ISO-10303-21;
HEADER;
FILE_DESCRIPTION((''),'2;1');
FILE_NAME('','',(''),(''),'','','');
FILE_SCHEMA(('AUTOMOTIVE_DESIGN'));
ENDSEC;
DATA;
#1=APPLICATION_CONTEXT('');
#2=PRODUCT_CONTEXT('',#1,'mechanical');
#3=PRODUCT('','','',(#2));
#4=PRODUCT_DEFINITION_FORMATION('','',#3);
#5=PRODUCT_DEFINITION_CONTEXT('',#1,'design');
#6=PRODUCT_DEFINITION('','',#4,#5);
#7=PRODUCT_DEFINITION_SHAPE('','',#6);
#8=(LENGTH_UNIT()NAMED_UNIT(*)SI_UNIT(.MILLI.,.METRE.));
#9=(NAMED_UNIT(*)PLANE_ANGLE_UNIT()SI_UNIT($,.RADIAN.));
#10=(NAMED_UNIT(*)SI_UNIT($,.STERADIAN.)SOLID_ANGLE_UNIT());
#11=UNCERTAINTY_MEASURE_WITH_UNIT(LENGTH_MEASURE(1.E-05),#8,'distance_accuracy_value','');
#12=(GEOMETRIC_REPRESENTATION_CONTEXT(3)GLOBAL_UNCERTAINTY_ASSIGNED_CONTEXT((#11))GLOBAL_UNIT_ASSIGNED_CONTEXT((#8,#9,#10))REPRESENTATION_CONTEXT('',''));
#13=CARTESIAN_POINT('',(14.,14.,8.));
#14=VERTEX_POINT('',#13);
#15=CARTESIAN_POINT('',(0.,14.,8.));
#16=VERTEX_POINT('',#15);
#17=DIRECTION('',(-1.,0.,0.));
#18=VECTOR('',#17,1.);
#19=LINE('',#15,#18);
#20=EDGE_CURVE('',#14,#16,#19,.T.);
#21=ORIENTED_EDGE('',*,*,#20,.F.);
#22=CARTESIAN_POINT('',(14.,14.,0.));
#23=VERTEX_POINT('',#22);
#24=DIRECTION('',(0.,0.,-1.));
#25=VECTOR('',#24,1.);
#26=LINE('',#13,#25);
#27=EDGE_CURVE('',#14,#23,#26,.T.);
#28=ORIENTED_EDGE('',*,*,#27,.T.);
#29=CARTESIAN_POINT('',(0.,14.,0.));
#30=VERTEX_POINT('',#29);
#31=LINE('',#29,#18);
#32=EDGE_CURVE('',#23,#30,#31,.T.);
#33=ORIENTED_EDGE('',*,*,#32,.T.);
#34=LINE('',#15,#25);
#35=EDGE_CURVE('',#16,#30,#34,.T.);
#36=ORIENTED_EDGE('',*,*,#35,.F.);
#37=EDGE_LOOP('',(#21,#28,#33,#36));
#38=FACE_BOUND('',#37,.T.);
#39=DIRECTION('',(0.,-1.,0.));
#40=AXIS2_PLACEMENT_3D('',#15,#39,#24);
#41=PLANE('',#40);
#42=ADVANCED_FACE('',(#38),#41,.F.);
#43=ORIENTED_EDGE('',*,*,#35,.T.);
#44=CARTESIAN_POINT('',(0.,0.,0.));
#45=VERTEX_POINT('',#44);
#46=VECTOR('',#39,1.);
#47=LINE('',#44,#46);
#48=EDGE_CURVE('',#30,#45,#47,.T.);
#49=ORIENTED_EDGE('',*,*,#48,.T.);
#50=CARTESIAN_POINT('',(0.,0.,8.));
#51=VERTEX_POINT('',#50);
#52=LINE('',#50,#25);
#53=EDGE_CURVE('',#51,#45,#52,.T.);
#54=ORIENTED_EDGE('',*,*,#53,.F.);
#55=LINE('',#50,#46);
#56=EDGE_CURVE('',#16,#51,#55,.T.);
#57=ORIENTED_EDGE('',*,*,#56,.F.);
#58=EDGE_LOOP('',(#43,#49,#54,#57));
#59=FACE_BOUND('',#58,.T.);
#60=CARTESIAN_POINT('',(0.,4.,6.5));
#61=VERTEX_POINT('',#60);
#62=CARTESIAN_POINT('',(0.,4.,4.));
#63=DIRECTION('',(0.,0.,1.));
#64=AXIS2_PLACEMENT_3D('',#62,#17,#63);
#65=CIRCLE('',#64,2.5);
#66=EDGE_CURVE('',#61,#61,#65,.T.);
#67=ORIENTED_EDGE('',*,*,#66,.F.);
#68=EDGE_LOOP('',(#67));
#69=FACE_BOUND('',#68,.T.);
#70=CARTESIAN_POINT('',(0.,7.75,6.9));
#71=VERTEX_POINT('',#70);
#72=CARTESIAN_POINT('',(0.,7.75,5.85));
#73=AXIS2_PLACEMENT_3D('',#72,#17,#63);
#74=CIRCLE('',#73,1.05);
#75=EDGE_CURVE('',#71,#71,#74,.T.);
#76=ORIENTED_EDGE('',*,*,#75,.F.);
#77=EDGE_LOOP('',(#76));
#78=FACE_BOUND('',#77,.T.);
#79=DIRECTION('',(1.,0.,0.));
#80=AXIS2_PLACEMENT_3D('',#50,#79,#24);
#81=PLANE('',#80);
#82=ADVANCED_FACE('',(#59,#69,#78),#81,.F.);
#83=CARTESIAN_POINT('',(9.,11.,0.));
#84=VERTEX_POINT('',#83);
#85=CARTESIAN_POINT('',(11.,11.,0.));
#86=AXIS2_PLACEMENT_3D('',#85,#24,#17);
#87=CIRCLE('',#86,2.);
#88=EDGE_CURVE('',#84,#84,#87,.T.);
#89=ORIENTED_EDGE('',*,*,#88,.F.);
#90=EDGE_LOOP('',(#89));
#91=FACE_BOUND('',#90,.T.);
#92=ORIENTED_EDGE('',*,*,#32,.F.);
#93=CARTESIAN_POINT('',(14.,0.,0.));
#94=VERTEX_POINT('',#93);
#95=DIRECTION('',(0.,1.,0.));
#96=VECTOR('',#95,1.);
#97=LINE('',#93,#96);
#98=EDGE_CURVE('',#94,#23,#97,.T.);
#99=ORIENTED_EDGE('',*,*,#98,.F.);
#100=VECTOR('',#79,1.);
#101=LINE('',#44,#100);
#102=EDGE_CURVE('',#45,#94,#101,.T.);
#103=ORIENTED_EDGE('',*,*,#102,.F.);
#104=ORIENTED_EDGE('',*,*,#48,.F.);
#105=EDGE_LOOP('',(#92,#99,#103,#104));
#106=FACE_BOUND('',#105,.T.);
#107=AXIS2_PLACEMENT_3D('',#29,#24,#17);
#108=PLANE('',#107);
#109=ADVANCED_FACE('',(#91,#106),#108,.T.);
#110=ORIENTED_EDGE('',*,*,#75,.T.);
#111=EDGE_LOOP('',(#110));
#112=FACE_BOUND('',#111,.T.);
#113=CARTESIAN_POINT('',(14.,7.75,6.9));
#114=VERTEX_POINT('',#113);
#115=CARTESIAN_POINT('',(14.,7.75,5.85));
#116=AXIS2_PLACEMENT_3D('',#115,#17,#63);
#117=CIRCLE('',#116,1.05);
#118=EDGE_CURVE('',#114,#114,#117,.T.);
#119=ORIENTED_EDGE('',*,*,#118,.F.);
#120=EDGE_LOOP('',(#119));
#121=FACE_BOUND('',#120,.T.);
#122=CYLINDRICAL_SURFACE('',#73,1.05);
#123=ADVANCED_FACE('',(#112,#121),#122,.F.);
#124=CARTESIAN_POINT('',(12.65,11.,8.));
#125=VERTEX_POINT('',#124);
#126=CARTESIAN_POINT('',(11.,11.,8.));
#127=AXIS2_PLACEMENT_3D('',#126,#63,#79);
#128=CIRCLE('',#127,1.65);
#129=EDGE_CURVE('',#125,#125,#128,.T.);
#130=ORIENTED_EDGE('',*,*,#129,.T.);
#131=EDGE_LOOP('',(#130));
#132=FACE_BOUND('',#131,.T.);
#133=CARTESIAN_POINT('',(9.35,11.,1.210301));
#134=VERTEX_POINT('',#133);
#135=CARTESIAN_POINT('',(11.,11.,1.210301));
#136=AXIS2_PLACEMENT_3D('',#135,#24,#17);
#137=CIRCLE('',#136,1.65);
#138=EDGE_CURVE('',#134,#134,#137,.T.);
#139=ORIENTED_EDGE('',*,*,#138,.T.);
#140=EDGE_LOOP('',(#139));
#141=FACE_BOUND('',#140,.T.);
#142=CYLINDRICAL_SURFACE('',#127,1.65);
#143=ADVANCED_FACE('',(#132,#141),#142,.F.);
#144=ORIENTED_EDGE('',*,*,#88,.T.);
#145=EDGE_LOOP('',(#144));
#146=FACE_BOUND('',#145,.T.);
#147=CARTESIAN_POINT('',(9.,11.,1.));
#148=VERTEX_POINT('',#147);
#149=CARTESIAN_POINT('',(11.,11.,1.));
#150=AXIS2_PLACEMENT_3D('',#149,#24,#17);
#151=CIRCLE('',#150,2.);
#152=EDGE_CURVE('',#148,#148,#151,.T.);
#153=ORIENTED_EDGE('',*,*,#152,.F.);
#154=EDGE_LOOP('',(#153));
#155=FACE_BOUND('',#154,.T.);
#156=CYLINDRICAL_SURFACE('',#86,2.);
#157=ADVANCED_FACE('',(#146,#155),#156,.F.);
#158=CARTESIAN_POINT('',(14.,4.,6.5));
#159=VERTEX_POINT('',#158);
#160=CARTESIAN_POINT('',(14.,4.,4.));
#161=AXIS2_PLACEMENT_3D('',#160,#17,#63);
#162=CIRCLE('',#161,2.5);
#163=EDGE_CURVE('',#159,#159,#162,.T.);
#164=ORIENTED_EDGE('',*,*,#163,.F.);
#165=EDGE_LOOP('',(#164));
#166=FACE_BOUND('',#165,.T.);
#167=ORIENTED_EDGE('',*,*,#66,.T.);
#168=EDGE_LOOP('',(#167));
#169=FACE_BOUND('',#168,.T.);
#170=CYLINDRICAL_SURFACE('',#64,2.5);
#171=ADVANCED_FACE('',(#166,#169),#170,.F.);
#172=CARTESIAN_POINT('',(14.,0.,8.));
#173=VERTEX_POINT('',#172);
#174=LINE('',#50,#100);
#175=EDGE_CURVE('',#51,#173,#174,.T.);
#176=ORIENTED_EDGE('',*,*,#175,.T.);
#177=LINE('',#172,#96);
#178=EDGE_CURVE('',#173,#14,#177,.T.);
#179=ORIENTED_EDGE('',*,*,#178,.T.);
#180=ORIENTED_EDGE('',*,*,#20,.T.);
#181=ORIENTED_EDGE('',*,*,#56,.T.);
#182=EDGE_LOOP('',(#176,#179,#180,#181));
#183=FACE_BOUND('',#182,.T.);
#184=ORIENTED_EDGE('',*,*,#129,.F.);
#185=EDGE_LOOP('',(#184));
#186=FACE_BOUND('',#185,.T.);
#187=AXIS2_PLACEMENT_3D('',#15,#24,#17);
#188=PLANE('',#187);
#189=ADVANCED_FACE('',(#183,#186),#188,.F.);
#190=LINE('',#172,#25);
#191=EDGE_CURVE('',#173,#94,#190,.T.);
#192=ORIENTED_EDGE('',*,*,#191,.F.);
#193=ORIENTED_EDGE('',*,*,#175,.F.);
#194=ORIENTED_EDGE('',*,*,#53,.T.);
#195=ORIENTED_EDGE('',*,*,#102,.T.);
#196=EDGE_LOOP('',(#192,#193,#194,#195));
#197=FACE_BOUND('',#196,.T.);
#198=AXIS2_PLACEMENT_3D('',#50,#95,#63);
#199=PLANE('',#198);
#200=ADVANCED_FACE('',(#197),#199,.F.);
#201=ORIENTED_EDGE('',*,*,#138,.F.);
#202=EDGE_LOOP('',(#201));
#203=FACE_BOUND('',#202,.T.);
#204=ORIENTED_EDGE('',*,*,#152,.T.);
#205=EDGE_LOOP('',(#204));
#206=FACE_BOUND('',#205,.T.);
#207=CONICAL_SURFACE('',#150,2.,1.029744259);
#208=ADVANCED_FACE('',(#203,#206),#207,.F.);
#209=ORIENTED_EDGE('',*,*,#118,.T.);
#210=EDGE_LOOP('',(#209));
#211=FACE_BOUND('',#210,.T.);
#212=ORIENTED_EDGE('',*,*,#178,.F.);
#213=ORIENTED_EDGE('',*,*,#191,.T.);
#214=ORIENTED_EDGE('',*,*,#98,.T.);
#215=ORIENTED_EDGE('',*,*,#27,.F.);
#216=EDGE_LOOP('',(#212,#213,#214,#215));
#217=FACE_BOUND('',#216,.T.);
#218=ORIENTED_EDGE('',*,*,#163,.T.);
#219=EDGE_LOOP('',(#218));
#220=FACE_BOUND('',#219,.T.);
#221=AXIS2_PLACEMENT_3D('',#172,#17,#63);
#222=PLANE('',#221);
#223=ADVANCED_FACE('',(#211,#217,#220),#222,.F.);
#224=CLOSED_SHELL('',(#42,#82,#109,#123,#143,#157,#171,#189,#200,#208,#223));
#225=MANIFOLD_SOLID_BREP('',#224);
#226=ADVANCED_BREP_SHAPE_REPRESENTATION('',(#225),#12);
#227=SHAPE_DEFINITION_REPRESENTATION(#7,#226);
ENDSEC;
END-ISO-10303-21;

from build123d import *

# Parameters (mm, degrees)
SKETCH1_W                    = 14
SKETCH1_H                    = 14
BOSS_EXTRUDE1_DEPTH          = 8
M4X0_7_TAPPED_HOLE1_D        = 3.3
F_5_0_5_DIAMETER_HOLE1_D     = 5
F_2_1_2_1_DIAMETER_HOLE1_D   = 2.1
F_4_0_4_DIAMETER_HOLE1_D     = 4
F_4_0_4_DIAMETER_HOLE1_DEPTH = 1
F_4_0_4_DIAMETER_HOLE1_TIP   = 1.201721238


with BuildPart() as part:
    # Sketch1 → Boss-Extrude1 (new body)
    with BuildSketch(Plane.XY):
        with Locations((7, 7)):
            Rectangle(SKETCH1_W, SKETCH1_H)
    extrude(amount=BOSS_EXTRUDE1_DEPTH)

    # M4x0.7 Tapped Hole1 (through all)
    with Locations(Plane.XY.offset(8)):
        with Locations((11, 11)):
            Hole(M4X0_7_TAPPED_HOLE1_D / 2)

    # Ø5.0 (5) Diameter Hole1 (through all)
    with Locations(Plane.ZY):
        with Locations((4, 4)):
            Hole(F_5_0_5_DIAMETER_HOLE1_D / 2)

    # Ø2.1 (2.1) Diameter Hole1 (through all)
    with Locations(Plane.ZY):
        with Locations((5.85, 7.75)):
            Hole(F_2_1_2_1_DIAMETER_HOLE1_D / 2)

    # Ø4.0 (4) Diameter Hole1
    with Locations(Plane(origin=(11, 11, 0), x_dir=(-1, 0, 0), z_dir=(0, 0, -1))):
        with Locations((0, 0)):
            Hole(F_4_0_4_DIAMETER_HOLE1_D / 2, depth=F_4_0_4_DIAMETER_HOLE1_DEPTH)
            with Locations((0, 0, -(F_4_0_4_DIAMETER_HOLE1_DEPTH + F_4_0_4_DIAMETER_HOLE1_TIP / 2))):  # 118° drill point
                Cone(0, F_4_0_4_DIAMETER_HOLE1_D / 2, F_4_0_4_DIAMETER_HOLE1_TIP, mode=Mode.SUBTRACT)


solid = part.part
